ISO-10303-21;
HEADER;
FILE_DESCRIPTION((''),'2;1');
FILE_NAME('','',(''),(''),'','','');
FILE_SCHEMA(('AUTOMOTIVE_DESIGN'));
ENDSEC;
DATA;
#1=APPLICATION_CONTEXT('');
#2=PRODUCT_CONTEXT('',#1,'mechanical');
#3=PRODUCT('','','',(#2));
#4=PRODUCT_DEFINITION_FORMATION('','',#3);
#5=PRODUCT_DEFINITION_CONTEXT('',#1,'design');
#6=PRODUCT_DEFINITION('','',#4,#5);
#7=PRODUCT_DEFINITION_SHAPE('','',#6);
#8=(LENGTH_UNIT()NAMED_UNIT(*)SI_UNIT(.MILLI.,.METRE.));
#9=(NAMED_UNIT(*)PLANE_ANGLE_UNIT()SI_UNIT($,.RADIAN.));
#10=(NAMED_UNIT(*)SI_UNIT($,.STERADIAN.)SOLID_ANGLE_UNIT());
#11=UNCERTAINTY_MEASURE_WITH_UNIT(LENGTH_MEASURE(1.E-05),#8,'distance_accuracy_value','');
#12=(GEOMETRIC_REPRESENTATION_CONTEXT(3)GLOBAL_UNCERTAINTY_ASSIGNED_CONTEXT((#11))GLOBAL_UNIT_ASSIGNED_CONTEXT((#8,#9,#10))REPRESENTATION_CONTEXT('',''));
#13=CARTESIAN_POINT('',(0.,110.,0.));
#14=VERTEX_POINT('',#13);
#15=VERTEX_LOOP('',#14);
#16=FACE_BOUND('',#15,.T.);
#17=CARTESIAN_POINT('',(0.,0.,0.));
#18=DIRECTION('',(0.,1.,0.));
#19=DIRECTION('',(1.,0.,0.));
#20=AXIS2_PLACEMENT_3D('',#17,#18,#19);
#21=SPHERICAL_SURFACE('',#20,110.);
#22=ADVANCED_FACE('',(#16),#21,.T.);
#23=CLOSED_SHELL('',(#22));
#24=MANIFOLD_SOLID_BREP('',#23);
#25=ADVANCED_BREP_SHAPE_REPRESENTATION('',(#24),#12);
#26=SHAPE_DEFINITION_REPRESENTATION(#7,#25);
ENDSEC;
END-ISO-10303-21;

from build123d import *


with BuildPart() as part:
    # Croquis1 → Revolución2 (revolve)
    with BuildSketch(Plane.XY):
        with BuildLine():
            Line((0, 110), (0, -110))
            ThreePointArc((0, -110), (110, 0), (0, 110))
        make_face()
    revolve(axis=Axis((0, 110, 0), (0, -1, 0)))


solid = part.part
